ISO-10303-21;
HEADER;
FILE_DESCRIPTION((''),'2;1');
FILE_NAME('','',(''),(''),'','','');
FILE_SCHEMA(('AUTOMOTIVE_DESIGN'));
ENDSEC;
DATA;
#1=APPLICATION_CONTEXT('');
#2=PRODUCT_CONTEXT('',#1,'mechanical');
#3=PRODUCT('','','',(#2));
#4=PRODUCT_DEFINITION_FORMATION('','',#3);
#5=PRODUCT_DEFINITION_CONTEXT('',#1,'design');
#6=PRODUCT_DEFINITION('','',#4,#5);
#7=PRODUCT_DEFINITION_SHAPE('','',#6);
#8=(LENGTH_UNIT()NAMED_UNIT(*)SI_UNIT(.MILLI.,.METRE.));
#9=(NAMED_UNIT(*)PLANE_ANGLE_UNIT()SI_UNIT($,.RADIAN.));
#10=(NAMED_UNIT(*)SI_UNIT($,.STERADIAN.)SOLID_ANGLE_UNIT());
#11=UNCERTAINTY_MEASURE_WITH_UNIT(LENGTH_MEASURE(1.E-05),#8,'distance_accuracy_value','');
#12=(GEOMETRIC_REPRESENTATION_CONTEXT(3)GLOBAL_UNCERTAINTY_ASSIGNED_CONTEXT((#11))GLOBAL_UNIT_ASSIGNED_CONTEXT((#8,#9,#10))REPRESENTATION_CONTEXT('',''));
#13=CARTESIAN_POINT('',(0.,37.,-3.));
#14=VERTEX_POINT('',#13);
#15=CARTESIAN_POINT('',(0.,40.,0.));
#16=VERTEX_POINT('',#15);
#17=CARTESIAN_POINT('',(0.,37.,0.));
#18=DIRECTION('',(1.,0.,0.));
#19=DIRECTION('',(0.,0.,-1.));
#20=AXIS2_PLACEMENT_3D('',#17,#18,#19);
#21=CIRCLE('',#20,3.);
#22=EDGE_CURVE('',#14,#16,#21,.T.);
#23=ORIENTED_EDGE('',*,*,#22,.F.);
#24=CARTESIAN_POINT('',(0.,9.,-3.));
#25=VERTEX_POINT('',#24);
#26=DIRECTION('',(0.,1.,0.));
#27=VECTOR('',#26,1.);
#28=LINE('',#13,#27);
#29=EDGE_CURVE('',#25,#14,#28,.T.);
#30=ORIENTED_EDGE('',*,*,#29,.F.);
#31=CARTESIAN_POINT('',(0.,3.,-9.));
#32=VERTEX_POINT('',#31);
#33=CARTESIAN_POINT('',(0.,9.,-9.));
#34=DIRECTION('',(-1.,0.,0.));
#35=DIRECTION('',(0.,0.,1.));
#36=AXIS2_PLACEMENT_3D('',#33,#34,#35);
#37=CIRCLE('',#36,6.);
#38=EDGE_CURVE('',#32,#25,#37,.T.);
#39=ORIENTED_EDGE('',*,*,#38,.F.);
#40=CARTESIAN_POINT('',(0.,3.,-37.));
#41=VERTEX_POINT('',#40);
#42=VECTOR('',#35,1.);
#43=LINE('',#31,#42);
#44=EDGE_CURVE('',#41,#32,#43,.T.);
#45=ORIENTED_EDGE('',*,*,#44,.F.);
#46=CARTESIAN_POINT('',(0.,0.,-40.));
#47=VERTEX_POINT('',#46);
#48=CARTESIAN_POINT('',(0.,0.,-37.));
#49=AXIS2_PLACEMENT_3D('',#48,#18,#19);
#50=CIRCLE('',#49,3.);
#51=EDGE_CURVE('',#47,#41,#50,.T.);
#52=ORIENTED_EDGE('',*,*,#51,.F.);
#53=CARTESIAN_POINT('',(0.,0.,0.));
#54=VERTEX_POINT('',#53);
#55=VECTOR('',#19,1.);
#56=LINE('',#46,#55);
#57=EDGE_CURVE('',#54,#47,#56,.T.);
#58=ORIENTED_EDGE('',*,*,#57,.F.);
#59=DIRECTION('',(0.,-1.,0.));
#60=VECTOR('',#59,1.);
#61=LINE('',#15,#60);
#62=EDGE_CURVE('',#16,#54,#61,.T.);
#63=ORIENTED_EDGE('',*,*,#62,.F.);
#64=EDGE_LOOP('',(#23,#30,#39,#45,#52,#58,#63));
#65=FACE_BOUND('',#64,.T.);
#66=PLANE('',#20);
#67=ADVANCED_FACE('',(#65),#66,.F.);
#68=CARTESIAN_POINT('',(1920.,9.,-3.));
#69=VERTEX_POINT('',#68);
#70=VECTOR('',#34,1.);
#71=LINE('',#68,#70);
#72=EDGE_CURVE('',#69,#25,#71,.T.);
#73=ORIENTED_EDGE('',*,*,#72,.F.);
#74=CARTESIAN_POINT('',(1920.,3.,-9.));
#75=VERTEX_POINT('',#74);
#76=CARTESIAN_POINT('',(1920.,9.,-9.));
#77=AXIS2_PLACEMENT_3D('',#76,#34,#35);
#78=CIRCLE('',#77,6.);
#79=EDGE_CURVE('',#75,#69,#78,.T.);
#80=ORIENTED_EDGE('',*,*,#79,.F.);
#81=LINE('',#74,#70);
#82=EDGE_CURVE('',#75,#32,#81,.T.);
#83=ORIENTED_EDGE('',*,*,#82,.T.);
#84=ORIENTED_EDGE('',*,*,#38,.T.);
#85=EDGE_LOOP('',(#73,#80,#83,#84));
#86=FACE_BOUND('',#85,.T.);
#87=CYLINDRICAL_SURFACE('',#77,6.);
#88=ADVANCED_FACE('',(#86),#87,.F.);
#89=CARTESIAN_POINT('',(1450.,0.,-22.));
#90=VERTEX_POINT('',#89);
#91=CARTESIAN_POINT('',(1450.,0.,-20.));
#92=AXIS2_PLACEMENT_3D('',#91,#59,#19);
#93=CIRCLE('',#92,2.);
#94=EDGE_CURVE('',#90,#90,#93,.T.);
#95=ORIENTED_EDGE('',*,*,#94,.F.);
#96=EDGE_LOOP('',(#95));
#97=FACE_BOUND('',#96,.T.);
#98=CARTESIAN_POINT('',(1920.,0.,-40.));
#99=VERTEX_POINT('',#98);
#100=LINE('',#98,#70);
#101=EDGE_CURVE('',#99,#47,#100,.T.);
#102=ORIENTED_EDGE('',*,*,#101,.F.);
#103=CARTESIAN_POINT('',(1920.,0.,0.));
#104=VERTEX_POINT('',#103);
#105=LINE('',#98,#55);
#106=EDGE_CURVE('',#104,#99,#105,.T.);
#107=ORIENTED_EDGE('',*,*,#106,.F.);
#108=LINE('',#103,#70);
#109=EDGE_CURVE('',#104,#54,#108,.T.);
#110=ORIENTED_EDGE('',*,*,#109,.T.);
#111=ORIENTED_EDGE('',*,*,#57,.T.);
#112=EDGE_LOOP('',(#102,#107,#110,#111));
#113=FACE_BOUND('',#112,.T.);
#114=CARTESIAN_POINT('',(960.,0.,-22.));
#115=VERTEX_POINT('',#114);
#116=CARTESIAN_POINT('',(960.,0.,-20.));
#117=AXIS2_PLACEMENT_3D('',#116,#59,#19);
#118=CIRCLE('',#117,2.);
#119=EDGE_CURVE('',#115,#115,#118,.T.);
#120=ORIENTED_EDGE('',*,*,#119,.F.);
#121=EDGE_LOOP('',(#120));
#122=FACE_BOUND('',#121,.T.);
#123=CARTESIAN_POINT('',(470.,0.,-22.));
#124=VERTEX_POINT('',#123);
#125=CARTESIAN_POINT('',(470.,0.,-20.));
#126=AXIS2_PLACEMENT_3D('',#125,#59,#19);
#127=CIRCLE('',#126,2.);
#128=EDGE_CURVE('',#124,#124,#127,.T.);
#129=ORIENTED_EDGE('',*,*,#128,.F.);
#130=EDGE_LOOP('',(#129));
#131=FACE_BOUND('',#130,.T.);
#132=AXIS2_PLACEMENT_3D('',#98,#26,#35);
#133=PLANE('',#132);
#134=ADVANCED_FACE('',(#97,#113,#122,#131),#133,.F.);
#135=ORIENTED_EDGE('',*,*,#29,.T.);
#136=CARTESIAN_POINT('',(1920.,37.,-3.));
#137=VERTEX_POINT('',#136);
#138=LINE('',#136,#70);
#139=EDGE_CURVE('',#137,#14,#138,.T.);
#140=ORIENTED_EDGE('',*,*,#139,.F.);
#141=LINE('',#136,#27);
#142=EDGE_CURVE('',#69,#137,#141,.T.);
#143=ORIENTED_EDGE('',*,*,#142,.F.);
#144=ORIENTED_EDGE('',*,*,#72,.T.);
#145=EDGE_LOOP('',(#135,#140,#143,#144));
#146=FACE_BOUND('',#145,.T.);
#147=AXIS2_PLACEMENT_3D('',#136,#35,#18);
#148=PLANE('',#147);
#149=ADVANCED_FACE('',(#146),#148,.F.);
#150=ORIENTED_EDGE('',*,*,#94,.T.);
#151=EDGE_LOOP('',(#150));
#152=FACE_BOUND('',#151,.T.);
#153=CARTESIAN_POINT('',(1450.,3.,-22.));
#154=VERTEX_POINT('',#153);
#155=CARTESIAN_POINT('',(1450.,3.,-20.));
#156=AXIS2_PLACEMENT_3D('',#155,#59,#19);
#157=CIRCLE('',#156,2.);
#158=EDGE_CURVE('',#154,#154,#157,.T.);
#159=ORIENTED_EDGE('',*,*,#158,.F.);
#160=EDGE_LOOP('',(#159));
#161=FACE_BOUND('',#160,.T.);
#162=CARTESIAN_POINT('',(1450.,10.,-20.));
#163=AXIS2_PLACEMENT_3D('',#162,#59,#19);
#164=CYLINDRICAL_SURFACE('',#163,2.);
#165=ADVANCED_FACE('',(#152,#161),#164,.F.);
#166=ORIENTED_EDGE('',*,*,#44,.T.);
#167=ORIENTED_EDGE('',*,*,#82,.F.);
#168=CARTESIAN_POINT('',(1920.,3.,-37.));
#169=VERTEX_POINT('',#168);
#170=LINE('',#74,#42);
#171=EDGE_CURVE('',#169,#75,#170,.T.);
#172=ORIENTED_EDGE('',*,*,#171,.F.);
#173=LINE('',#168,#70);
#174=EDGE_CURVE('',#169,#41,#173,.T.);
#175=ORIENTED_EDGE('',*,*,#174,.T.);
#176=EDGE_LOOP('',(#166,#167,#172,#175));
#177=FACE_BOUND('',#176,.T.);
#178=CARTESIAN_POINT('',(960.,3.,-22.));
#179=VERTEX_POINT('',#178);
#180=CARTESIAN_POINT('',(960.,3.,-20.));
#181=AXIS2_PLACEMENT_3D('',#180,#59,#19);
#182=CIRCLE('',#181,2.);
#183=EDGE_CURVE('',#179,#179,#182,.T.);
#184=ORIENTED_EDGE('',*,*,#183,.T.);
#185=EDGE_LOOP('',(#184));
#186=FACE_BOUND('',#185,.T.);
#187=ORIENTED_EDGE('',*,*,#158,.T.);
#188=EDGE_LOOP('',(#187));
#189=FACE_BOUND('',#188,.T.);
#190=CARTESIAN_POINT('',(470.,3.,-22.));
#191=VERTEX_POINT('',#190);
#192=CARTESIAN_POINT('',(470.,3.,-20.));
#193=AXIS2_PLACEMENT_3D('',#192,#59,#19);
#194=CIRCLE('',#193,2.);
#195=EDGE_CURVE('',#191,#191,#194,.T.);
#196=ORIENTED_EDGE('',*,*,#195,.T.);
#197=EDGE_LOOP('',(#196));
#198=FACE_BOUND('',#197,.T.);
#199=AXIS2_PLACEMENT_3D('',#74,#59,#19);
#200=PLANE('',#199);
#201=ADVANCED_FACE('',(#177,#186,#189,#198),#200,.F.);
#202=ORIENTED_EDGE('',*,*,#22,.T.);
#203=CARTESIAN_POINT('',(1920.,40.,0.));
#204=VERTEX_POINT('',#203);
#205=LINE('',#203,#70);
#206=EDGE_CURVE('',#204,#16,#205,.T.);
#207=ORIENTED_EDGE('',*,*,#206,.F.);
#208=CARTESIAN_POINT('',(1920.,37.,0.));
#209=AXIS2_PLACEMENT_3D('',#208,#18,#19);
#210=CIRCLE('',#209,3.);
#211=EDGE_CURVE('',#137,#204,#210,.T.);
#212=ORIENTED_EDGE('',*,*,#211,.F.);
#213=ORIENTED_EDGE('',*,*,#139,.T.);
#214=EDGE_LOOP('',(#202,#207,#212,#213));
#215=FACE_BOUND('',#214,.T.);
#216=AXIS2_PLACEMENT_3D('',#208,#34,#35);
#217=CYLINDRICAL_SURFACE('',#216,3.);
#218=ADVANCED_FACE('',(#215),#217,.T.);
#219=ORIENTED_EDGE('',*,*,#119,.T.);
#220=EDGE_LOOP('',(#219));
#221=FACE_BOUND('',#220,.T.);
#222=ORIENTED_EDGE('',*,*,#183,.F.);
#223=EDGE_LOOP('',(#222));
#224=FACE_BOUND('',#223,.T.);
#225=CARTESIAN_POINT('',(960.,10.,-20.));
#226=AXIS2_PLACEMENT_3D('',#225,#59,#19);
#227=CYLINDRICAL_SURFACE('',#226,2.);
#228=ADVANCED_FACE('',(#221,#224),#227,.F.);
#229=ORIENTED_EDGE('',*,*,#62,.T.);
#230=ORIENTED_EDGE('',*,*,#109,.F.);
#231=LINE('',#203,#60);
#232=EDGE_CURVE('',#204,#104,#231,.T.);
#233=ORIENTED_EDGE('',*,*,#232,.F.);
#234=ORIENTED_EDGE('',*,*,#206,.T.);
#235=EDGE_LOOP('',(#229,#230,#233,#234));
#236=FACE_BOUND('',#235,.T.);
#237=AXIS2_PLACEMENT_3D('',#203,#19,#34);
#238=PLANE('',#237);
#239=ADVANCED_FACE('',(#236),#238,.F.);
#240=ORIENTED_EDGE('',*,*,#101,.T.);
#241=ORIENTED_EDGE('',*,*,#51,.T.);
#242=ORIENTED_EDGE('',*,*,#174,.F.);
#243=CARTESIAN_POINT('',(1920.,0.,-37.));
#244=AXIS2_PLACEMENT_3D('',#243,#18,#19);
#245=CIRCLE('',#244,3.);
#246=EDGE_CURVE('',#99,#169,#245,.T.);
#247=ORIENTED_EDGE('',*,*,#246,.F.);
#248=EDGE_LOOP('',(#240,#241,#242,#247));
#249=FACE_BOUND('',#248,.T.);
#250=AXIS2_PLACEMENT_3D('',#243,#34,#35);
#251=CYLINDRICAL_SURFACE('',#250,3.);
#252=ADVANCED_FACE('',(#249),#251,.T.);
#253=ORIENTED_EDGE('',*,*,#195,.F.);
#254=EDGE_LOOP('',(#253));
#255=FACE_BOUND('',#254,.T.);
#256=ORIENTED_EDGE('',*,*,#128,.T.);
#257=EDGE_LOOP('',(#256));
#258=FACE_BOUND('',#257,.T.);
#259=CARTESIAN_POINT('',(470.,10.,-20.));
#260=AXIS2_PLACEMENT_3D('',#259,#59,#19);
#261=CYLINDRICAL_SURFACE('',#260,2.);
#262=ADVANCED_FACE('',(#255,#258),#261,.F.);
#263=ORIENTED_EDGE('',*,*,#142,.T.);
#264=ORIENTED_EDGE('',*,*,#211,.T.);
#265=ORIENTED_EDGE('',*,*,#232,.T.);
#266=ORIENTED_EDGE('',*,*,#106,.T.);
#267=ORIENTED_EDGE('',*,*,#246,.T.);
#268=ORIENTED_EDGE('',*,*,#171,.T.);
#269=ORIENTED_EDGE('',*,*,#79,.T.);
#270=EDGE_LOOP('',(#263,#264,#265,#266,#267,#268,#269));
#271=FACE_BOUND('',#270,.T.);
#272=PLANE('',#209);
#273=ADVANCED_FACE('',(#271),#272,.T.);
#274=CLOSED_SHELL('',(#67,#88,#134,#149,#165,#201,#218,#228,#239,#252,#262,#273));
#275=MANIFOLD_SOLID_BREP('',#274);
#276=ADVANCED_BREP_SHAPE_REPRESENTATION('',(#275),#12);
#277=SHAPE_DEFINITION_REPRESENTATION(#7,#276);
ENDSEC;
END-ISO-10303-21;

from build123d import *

# Parameters (mm, degrees)
L_ANGLE_EQUAL_40X40X3_2_DEPTH = 1920
SKETCH15_R                    = 2
CUT_EXTRUDE1_DEPTH            = 10


with BuildPart() as part:
    # Sketch13 → L angle (equal) 40X40X3(2) (new body)
    with BuildSketch(Plane(origin=(0, 0, 0), x_dir=(0, 0, -1), z_dir=(1, 0, 0))):
        with BuildLine():
            Line((0, 40), (0, 0))
            Line((0, 0), (40, 0))
            ThreePointArc((40, 0), (39.121320344, 2.121320344), (37, 3))
            Line((37, 3), (9, 3))
            ThreePointArc((9, 3), (4.757359313, 4.757359313), (3, 9))
            Line((3, 9), (3, 37))
            ThreePointArc((3, 37), (2.121320344, 39.121320344), (0, 40))
        make_face()
    extrude(amount=L_ANGLE_EQUAL_40X40X3_2_DEPTH)

    # Sketch15 → Cut-Extrude1 (cut)
    with BuildSketch(Plane(origin=(0, 0, 0), x_dir=(-1, 0, 0), z_dir=(0, -1, 0))):
        with Locations(Location((-960, 20, 0), (0, 0, 90))):
            Circle(SKETCH15_R)
        with Locations(Location((-470, 20, 0), (0, 0, 90))):
            Circle(SKETCH15_R)
        with Locations(Location((-1450, 20, 0), (0, 0, 90))):
            Circle(SKETCH15_R)
    extrude(amount=-CUT_EXTRUDE1_DEPTH, mode=Mode.SUBTRACT)


solid = part.part
